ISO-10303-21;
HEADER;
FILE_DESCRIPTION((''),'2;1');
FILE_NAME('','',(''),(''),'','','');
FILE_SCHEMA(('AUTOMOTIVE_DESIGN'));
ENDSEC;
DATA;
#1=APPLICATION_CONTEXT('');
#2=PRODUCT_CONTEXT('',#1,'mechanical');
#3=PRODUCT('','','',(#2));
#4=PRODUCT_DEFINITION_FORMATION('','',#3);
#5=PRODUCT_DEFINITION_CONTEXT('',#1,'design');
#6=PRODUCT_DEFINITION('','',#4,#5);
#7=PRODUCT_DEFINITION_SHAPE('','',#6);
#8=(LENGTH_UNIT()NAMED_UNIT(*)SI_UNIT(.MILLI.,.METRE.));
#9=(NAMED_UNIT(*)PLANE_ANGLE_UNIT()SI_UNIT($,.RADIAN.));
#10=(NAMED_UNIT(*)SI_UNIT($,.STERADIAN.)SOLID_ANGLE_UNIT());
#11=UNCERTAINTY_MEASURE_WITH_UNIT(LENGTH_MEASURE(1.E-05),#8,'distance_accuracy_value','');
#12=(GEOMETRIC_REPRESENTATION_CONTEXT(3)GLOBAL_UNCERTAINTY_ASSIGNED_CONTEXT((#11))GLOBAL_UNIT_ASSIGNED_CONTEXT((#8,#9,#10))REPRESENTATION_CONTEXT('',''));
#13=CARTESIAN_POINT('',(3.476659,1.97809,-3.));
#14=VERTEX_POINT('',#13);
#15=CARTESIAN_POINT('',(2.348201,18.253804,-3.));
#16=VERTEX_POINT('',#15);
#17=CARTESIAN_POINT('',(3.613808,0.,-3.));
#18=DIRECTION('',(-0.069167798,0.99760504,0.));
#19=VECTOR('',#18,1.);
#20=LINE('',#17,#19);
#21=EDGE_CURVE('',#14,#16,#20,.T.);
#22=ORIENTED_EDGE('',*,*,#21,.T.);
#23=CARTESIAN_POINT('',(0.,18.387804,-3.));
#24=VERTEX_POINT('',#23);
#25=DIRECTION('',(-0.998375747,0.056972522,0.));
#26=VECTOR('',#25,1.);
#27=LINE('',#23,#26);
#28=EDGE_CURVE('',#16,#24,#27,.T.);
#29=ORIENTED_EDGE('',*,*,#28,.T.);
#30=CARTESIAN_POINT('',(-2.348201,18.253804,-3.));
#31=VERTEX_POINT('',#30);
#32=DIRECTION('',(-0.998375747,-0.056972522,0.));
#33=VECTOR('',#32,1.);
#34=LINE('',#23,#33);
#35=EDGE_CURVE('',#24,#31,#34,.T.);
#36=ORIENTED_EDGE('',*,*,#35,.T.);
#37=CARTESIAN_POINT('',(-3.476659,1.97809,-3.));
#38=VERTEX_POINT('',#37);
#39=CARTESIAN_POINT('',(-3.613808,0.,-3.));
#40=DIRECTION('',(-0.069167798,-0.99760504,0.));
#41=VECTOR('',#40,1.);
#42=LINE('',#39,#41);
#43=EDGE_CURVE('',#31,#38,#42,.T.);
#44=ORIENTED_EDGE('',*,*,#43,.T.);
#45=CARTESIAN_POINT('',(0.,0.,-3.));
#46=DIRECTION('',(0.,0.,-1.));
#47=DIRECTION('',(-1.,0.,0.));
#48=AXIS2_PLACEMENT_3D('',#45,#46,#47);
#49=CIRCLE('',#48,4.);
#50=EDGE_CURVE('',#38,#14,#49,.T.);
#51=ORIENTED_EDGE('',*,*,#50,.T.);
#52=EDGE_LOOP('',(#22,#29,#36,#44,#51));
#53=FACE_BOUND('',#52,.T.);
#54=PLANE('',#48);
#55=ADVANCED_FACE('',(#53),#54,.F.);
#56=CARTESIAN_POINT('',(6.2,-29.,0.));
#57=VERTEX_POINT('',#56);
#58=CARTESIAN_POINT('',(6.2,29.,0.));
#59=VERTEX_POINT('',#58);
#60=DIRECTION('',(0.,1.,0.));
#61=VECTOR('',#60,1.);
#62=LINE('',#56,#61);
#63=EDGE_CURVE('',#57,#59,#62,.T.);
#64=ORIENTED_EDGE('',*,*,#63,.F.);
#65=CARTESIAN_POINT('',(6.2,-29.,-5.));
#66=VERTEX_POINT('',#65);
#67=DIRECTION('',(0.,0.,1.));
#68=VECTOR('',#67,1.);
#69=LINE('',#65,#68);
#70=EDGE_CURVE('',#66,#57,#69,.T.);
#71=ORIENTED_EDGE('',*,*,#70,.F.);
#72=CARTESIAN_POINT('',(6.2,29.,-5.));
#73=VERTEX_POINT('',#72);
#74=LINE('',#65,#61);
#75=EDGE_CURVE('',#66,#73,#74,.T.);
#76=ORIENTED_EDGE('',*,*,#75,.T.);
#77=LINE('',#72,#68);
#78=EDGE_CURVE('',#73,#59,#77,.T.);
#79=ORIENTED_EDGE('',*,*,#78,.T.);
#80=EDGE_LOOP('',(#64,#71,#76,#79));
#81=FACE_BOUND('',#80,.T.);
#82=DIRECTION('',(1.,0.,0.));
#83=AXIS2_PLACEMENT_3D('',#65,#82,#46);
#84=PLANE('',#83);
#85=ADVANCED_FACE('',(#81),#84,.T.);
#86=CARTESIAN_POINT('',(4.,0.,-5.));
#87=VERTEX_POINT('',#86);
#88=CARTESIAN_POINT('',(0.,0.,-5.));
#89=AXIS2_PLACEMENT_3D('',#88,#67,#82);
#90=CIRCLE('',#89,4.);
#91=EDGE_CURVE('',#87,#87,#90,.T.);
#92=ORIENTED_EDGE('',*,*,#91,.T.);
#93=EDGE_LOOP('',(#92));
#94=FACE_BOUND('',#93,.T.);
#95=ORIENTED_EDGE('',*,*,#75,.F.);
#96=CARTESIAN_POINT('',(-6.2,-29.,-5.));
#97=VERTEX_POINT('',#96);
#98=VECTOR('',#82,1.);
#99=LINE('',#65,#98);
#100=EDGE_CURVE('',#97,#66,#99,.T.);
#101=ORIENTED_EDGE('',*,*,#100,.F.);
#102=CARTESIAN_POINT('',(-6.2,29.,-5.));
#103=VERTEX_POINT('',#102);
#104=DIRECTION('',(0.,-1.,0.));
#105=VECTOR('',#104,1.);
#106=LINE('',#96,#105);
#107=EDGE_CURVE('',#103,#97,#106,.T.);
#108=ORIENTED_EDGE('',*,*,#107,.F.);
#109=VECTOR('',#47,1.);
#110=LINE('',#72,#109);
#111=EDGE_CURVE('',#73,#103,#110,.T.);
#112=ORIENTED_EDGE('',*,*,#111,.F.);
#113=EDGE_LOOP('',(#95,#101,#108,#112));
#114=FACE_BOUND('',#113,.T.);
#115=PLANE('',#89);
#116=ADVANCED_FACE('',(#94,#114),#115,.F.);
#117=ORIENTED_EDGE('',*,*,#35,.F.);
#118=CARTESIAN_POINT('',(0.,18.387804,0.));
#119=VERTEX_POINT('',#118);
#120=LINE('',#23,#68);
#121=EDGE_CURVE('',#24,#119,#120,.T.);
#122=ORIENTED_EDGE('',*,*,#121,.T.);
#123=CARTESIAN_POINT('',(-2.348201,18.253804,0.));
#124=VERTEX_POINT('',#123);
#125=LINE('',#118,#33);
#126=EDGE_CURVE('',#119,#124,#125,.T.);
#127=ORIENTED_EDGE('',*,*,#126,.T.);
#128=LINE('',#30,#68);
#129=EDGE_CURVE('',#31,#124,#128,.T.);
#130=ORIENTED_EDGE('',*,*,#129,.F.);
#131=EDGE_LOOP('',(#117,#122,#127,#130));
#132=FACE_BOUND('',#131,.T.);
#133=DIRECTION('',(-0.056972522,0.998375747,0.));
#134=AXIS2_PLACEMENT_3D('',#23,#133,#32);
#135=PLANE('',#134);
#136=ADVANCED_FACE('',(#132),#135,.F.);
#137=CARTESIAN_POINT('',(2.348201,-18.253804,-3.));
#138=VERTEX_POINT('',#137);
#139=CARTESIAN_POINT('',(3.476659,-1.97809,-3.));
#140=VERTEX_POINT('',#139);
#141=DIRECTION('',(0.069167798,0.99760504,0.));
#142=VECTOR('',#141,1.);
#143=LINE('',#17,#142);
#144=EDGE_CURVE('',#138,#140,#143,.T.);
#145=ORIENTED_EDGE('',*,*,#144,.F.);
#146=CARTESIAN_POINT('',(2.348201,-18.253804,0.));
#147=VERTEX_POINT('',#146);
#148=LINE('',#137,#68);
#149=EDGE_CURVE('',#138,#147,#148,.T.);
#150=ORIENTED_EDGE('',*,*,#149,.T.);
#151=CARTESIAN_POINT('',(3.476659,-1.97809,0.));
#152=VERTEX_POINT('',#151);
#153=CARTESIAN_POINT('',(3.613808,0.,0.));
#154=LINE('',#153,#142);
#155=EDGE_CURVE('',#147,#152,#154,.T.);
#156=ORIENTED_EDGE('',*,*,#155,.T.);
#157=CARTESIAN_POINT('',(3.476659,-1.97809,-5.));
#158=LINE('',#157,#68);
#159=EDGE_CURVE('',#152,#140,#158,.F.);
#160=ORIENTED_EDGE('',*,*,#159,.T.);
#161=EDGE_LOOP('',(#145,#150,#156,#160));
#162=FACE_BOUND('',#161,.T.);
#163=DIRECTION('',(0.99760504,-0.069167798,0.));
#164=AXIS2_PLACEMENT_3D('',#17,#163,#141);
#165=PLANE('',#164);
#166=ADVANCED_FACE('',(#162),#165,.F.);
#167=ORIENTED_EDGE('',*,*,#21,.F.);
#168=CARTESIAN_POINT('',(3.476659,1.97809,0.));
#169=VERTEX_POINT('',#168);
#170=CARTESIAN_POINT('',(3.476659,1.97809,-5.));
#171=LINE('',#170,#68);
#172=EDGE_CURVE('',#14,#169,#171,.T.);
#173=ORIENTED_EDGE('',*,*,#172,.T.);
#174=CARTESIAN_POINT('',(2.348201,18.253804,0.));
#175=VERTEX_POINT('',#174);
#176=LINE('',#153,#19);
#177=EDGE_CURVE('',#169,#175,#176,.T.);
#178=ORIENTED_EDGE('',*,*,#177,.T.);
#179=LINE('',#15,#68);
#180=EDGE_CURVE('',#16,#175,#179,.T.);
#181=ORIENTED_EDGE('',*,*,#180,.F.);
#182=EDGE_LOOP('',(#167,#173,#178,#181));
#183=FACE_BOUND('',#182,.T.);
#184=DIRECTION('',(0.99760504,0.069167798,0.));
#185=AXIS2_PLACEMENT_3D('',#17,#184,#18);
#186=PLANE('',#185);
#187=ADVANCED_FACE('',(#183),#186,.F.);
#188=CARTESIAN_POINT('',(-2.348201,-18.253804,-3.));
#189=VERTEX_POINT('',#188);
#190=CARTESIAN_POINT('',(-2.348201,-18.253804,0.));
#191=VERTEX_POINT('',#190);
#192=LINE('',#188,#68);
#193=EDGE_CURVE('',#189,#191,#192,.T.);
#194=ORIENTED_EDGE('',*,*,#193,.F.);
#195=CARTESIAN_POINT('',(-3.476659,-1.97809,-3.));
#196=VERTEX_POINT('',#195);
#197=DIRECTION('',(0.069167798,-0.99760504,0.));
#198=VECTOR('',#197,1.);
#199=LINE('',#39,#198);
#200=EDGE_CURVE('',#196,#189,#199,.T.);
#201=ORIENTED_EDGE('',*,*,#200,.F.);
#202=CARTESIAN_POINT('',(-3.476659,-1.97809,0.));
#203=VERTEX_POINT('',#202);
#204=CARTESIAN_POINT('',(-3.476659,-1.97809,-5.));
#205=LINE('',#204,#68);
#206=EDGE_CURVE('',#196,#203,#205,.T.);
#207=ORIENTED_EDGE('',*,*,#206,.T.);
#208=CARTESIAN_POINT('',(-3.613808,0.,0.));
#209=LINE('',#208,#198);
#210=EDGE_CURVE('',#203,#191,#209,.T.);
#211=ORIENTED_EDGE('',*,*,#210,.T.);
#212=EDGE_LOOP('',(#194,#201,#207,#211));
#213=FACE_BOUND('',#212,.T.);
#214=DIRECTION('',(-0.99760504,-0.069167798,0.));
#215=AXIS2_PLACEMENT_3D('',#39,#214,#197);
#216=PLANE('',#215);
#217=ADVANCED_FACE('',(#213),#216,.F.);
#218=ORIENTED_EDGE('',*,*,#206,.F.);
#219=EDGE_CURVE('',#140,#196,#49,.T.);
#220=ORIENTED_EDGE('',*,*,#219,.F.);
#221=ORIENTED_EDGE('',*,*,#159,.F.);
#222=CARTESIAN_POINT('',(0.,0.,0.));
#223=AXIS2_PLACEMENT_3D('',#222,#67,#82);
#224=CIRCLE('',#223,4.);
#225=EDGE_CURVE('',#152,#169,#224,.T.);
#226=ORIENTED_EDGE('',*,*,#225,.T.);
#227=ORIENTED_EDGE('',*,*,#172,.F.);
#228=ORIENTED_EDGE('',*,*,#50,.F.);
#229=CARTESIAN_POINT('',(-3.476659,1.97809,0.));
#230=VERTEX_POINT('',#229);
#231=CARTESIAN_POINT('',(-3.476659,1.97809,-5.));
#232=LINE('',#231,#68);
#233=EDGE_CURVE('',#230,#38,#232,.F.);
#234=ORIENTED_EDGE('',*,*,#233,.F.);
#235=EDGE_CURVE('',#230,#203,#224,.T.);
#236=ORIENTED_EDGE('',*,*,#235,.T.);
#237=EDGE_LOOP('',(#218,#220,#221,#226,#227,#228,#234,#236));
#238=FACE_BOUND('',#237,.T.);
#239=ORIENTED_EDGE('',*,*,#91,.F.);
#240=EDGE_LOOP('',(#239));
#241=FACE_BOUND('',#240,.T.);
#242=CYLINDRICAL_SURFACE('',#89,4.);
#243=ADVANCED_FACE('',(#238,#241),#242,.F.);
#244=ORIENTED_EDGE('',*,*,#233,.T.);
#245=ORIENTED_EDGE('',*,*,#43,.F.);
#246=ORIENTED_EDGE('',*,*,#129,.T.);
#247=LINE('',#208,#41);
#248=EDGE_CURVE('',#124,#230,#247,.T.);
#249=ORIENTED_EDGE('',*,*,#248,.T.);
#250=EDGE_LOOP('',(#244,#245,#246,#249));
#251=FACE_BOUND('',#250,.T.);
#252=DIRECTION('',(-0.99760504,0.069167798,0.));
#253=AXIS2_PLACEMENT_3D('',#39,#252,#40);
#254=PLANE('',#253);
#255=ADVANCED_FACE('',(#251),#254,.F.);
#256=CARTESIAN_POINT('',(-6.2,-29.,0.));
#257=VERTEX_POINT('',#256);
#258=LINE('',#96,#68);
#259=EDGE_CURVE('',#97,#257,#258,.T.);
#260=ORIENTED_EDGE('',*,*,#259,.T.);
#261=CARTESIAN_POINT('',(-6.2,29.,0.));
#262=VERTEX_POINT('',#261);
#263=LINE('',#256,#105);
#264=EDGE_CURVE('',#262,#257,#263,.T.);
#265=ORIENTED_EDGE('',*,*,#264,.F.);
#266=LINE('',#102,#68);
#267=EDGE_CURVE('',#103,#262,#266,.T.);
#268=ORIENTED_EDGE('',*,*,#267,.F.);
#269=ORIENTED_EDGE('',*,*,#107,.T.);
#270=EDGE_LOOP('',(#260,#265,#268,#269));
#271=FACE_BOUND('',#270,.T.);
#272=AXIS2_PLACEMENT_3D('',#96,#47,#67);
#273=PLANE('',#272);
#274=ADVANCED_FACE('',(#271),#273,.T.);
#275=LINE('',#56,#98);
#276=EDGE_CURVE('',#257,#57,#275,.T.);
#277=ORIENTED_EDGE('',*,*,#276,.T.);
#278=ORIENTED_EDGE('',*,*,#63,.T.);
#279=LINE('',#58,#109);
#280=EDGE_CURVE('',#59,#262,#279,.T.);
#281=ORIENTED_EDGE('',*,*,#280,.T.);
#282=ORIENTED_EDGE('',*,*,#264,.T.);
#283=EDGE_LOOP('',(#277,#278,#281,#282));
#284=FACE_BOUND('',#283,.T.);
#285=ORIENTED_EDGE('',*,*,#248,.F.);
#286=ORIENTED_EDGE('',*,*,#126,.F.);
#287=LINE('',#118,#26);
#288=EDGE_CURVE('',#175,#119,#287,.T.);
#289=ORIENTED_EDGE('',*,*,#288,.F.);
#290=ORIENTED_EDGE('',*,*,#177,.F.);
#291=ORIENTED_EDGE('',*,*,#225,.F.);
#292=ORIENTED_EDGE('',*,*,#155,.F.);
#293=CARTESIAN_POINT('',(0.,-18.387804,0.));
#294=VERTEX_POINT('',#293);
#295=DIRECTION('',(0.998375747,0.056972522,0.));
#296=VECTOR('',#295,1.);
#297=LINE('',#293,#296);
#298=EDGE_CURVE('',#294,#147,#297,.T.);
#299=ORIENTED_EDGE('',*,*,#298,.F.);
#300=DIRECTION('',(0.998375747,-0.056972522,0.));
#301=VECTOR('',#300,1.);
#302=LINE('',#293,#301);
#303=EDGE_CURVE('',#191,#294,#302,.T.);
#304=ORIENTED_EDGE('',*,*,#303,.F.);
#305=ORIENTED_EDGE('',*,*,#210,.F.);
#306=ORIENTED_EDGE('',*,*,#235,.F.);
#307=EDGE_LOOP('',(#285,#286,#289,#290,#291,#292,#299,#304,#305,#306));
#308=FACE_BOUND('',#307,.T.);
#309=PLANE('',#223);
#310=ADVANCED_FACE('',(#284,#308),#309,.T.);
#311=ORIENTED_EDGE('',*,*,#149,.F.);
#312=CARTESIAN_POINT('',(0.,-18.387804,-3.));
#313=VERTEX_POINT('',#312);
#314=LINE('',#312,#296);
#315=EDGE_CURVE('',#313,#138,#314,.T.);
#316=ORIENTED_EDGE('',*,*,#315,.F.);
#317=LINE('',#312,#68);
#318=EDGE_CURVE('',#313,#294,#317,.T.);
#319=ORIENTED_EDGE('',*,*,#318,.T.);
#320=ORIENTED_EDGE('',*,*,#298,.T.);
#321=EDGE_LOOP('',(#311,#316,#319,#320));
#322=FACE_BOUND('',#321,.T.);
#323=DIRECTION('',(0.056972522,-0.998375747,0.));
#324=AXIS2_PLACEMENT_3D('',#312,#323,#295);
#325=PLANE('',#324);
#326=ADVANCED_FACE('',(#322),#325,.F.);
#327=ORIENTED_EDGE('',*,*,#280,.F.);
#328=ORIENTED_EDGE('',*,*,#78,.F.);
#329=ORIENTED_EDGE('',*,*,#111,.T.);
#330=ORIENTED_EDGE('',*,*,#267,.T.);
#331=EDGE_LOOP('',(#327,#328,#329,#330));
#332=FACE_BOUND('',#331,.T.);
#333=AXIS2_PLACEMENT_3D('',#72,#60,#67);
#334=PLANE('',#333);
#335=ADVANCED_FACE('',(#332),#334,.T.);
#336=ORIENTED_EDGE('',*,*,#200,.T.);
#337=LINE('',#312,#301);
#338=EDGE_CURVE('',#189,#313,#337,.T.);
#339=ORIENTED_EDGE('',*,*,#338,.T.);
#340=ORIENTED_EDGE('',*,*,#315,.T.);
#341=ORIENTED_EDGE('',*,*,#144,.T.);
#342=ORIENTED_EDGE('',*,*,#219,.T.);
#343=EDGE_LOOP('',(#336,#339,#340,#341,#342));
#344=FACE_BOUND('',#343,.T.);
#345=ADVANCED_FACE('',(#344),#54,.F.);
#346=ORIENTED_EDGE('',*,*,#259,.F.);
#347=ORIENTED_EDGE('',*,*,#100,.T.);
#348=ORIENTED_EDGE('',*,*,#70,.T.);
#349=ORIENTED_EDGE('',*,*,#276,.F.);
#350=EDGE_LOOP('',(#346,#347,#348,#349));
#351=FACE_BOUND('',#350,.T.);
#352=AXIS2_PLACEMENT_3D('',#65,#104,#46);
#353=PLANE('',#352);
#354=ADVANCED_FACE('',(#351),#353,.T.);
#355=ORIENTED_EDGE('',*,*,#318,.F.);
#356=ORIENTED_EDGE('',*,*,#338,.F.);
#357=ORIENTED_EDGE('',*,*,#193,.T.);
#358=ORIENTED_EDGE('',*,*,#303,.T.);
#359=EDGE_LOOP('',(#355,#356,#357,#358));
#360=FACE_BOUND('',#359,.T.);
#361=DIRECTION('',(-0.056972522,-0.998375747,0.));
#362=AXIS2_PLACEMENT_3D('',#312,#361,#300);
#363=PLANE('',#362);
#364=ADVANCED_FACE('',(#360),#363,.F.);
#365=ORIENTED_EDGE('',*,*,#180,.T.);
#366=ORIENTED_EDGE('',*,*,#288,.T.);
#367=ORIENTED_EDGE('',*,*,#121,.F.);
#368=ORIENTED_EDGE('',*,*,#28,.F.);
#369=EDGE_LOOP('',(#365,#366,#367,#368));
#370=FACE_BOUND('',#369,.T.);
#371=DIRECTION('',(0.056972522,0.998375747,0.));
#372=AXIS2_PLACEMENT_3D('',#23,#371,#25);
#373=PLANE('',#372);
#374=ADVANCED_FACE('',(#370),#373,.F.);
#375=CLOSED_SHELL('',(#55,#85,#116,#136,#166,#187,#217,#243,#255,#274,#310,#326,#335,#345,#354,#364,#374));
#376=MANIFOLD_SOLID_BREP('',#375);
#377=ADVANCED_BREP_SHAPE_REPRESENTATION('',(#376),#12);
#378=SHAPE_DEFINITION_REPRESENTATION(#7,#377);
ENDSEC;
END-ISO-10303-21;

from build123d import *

# Parameters (mm, degrees)
SKETCH1_W           = 12.4
SKETCH1_H           = 58
BOSS_EXTRUDE1_DEPTH = 5
CUT_EXTRUDE1_DEPTH  = 3
SKETCH4_R           = 4
CUT_EXTRUDE2_DEPTH  = 5


with BuildPart() as part:
    # Sketch1 → Boss-Extrude1 (new body)
    with BuildSketch(Plane.XY):
        Rectangle(SKETCH1_W, SKETCH1_H)
    extrude(amount=-BOSS_EXTRUDE1_DEPTH)

    # Sketch2 → Cut-Extrude1 (cut)
    with BuildSketch(Plane.XY):
        Polygon((-3.613807992, 0), (-2.3482015, 18.253803872), (0, 18.387804485), (2.3482015, 18.253803872), (3.613807992, 0), (2.3482015, -18.253803872), (0, -18.387804485), (-2.3482015, -18.253803872), align=None)
    extrude(amount=-CUT_EXTRUDE1_DEPTH, mode=Mode.SUBTRACT)

    # Sketch4 → Cut-Extrude2 (cut)
    with BuildSketch(Plane.XY):
        Circle(SKETCH4_R)
    extrude(amount=-CUT_EXTRUDE2_DEPTH, mode=Mode.SUBTRACT)


solid = part.part
